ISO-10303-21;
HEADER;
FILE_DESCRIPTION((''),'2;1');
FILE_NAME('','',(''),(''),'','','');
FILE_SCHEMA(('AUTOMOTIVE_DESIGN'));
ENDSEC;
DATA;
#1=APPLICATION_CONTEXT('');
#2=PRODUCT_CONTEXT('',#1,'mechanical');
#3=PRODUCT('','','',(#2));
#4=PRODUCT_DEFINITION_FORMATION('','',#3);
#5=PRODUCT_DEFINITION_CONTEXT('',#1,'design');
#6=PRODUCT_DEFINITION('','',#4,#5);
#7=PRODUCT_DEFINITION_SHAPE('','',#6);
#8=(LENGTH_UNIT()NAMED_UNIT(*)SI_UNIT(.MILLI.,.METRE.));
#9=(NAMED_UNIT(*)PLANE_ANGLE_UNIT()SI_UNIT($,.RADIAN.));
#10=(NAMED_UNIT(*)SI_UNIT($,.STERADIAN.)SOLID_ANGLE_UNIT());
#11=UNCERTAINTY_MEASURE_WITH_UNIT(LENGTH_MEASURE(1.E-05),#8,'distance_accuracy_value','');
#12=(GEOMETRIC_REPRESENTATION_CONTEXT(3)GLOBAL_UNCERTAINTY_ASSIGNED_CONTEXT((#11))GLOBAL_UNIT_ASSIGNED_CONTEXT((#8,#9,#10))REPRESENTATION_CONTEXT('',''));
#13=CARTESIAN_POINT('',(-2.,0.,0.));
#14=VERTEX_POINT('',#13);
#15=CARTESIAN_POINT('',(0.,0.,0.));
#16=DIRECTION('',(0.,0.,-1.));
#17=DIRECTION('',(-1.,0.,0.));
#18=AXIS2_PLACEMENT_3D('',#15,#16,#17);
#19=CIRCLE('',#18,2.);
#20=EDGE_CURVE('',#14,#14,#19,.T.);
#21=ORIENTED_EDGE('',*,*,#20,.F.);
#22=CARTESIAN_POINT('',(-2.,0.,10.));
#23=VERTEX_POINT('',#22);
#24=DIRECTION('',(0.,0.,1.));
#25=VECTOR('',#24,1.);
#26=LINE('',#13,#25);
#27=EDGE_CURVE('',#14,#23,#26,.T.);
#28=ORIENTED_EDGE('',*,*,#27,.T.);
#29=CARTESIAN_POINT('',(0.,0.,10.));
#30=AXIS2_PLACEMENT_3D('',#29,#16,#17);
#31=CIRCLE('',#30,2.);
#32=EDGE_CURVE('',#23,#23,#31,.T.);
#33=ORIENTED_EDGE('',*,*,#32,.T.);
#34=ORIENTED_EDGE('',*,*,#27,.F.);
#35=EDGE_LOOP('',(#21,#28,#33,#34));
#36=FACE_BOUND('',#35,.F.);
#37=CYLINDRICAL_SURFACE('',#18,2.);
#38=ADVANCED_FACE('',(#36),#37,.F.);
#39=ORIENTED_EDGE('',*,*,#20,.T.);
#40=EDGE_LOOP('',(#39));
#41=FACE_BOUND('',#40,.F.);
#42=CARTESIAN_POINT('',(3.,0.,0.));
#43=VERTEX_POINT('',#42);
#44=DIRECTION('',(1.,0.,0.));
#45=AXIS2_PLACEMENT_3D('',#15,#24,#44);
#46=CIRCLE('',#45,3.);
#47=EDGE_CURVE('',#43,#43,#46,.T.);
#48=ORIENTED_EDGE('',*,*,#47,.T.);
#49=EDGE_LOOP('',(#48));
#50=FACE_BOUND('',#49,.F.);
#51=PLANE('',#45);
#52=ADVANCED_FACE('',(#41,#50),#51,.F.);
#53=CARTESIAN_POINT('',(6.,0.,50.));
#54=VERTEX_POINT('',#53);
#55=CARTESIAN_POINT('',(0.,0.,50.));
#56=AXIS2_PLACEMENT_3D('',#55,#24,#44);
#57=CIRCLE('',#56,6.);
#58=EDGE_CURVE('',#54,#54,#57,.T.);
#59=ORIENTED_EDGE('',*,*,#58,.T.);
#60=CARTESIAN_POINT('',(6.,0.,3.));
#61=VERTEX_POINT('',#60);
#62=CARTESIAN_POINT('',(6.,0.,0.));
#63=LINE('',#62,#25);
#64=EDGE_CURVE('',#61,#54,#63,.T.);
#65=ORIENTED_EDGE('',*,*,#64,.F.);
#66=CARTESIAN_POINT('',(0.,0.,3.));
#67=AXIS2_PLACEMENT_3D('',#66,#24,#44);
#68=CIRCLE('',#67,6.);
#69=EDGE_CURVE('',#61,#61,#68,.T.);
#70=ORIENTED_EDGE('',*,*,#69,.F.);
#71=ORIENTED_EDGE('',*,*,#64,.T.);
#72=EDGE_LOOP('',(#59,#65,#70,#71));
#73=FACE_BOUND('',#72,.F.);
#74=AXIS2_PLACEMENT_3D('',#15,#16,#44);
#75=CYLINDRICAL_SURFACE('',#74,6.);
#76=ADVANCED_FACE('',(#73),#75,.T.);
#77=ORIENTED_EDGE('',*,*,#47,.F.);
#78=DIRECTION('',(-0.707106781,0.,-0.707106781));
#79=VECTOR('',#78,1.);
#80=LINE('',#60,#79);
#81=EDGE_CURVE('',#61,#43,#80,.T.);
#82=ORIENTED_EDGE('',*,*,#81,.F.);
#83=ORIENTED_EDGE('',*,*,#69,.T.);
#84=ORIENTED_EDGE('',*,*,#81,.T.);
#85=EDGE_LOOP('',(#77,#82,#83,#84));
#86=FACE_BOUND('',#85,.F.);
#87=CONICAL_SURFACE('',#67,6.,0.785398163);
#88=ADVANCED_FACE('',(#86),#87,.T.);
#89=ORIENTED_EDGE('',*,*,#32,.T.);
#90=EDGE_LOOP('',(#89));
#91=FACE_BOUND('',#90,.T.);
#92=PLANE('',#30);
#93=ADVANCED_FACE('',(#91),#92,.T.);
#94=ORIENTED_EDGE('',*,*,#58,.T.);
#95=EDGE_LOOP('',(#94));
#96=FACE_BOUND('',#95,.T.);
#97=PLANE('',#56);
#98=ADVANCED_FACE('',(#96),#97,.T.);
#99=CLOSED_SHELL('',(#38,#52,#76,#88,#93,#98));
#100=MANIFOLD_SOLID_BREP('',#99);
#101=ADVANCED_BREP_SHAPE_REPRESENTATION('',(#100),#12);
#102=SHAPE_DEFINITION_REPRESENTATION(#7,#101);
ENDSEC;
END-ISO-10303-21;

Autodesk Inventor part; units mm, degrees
ref_plane "YZ Plane" through (0, 0, 0) normal (1, 0, 0) x (0, 1, 0)
ref_plane "XZ Plane" through (0, 0, 0) normal (0, 1, 0) x (-1, 0, 0)
ref_plane "XY Plane" through (0, 0, 0) normal (0, 0, 1) x (1, 0, 0)
sketch "Sketch1" plane through (0, 0, 0) normal (0, 0, 1) x (1, 0, 0)
  circle A0 centre (0, 0) radius 6
  dimension "d0" = 12
extrude "Extrusion1" add sketch "Sketch1" along normal blind 50
sketch "Sketch2" plane through (0, 0, 50) normal (0, 0, 1) x (1, 0, 0)
  point P0 (0, 0)
chamfer "Chamfer1" distance 3 angle 45 1 edges at (-6, 0, 0)
sketch "Sketch4" plane through (0, 0, 0) normal (0, 0, -1) x (-1, 0, 0)
  circle A0 centre (0, 0) radius 2
  dimension "d8" = 4
extrude "Extrusion3" cut sketch "Sketch4" against normal blind 10
properties part number "arm"
